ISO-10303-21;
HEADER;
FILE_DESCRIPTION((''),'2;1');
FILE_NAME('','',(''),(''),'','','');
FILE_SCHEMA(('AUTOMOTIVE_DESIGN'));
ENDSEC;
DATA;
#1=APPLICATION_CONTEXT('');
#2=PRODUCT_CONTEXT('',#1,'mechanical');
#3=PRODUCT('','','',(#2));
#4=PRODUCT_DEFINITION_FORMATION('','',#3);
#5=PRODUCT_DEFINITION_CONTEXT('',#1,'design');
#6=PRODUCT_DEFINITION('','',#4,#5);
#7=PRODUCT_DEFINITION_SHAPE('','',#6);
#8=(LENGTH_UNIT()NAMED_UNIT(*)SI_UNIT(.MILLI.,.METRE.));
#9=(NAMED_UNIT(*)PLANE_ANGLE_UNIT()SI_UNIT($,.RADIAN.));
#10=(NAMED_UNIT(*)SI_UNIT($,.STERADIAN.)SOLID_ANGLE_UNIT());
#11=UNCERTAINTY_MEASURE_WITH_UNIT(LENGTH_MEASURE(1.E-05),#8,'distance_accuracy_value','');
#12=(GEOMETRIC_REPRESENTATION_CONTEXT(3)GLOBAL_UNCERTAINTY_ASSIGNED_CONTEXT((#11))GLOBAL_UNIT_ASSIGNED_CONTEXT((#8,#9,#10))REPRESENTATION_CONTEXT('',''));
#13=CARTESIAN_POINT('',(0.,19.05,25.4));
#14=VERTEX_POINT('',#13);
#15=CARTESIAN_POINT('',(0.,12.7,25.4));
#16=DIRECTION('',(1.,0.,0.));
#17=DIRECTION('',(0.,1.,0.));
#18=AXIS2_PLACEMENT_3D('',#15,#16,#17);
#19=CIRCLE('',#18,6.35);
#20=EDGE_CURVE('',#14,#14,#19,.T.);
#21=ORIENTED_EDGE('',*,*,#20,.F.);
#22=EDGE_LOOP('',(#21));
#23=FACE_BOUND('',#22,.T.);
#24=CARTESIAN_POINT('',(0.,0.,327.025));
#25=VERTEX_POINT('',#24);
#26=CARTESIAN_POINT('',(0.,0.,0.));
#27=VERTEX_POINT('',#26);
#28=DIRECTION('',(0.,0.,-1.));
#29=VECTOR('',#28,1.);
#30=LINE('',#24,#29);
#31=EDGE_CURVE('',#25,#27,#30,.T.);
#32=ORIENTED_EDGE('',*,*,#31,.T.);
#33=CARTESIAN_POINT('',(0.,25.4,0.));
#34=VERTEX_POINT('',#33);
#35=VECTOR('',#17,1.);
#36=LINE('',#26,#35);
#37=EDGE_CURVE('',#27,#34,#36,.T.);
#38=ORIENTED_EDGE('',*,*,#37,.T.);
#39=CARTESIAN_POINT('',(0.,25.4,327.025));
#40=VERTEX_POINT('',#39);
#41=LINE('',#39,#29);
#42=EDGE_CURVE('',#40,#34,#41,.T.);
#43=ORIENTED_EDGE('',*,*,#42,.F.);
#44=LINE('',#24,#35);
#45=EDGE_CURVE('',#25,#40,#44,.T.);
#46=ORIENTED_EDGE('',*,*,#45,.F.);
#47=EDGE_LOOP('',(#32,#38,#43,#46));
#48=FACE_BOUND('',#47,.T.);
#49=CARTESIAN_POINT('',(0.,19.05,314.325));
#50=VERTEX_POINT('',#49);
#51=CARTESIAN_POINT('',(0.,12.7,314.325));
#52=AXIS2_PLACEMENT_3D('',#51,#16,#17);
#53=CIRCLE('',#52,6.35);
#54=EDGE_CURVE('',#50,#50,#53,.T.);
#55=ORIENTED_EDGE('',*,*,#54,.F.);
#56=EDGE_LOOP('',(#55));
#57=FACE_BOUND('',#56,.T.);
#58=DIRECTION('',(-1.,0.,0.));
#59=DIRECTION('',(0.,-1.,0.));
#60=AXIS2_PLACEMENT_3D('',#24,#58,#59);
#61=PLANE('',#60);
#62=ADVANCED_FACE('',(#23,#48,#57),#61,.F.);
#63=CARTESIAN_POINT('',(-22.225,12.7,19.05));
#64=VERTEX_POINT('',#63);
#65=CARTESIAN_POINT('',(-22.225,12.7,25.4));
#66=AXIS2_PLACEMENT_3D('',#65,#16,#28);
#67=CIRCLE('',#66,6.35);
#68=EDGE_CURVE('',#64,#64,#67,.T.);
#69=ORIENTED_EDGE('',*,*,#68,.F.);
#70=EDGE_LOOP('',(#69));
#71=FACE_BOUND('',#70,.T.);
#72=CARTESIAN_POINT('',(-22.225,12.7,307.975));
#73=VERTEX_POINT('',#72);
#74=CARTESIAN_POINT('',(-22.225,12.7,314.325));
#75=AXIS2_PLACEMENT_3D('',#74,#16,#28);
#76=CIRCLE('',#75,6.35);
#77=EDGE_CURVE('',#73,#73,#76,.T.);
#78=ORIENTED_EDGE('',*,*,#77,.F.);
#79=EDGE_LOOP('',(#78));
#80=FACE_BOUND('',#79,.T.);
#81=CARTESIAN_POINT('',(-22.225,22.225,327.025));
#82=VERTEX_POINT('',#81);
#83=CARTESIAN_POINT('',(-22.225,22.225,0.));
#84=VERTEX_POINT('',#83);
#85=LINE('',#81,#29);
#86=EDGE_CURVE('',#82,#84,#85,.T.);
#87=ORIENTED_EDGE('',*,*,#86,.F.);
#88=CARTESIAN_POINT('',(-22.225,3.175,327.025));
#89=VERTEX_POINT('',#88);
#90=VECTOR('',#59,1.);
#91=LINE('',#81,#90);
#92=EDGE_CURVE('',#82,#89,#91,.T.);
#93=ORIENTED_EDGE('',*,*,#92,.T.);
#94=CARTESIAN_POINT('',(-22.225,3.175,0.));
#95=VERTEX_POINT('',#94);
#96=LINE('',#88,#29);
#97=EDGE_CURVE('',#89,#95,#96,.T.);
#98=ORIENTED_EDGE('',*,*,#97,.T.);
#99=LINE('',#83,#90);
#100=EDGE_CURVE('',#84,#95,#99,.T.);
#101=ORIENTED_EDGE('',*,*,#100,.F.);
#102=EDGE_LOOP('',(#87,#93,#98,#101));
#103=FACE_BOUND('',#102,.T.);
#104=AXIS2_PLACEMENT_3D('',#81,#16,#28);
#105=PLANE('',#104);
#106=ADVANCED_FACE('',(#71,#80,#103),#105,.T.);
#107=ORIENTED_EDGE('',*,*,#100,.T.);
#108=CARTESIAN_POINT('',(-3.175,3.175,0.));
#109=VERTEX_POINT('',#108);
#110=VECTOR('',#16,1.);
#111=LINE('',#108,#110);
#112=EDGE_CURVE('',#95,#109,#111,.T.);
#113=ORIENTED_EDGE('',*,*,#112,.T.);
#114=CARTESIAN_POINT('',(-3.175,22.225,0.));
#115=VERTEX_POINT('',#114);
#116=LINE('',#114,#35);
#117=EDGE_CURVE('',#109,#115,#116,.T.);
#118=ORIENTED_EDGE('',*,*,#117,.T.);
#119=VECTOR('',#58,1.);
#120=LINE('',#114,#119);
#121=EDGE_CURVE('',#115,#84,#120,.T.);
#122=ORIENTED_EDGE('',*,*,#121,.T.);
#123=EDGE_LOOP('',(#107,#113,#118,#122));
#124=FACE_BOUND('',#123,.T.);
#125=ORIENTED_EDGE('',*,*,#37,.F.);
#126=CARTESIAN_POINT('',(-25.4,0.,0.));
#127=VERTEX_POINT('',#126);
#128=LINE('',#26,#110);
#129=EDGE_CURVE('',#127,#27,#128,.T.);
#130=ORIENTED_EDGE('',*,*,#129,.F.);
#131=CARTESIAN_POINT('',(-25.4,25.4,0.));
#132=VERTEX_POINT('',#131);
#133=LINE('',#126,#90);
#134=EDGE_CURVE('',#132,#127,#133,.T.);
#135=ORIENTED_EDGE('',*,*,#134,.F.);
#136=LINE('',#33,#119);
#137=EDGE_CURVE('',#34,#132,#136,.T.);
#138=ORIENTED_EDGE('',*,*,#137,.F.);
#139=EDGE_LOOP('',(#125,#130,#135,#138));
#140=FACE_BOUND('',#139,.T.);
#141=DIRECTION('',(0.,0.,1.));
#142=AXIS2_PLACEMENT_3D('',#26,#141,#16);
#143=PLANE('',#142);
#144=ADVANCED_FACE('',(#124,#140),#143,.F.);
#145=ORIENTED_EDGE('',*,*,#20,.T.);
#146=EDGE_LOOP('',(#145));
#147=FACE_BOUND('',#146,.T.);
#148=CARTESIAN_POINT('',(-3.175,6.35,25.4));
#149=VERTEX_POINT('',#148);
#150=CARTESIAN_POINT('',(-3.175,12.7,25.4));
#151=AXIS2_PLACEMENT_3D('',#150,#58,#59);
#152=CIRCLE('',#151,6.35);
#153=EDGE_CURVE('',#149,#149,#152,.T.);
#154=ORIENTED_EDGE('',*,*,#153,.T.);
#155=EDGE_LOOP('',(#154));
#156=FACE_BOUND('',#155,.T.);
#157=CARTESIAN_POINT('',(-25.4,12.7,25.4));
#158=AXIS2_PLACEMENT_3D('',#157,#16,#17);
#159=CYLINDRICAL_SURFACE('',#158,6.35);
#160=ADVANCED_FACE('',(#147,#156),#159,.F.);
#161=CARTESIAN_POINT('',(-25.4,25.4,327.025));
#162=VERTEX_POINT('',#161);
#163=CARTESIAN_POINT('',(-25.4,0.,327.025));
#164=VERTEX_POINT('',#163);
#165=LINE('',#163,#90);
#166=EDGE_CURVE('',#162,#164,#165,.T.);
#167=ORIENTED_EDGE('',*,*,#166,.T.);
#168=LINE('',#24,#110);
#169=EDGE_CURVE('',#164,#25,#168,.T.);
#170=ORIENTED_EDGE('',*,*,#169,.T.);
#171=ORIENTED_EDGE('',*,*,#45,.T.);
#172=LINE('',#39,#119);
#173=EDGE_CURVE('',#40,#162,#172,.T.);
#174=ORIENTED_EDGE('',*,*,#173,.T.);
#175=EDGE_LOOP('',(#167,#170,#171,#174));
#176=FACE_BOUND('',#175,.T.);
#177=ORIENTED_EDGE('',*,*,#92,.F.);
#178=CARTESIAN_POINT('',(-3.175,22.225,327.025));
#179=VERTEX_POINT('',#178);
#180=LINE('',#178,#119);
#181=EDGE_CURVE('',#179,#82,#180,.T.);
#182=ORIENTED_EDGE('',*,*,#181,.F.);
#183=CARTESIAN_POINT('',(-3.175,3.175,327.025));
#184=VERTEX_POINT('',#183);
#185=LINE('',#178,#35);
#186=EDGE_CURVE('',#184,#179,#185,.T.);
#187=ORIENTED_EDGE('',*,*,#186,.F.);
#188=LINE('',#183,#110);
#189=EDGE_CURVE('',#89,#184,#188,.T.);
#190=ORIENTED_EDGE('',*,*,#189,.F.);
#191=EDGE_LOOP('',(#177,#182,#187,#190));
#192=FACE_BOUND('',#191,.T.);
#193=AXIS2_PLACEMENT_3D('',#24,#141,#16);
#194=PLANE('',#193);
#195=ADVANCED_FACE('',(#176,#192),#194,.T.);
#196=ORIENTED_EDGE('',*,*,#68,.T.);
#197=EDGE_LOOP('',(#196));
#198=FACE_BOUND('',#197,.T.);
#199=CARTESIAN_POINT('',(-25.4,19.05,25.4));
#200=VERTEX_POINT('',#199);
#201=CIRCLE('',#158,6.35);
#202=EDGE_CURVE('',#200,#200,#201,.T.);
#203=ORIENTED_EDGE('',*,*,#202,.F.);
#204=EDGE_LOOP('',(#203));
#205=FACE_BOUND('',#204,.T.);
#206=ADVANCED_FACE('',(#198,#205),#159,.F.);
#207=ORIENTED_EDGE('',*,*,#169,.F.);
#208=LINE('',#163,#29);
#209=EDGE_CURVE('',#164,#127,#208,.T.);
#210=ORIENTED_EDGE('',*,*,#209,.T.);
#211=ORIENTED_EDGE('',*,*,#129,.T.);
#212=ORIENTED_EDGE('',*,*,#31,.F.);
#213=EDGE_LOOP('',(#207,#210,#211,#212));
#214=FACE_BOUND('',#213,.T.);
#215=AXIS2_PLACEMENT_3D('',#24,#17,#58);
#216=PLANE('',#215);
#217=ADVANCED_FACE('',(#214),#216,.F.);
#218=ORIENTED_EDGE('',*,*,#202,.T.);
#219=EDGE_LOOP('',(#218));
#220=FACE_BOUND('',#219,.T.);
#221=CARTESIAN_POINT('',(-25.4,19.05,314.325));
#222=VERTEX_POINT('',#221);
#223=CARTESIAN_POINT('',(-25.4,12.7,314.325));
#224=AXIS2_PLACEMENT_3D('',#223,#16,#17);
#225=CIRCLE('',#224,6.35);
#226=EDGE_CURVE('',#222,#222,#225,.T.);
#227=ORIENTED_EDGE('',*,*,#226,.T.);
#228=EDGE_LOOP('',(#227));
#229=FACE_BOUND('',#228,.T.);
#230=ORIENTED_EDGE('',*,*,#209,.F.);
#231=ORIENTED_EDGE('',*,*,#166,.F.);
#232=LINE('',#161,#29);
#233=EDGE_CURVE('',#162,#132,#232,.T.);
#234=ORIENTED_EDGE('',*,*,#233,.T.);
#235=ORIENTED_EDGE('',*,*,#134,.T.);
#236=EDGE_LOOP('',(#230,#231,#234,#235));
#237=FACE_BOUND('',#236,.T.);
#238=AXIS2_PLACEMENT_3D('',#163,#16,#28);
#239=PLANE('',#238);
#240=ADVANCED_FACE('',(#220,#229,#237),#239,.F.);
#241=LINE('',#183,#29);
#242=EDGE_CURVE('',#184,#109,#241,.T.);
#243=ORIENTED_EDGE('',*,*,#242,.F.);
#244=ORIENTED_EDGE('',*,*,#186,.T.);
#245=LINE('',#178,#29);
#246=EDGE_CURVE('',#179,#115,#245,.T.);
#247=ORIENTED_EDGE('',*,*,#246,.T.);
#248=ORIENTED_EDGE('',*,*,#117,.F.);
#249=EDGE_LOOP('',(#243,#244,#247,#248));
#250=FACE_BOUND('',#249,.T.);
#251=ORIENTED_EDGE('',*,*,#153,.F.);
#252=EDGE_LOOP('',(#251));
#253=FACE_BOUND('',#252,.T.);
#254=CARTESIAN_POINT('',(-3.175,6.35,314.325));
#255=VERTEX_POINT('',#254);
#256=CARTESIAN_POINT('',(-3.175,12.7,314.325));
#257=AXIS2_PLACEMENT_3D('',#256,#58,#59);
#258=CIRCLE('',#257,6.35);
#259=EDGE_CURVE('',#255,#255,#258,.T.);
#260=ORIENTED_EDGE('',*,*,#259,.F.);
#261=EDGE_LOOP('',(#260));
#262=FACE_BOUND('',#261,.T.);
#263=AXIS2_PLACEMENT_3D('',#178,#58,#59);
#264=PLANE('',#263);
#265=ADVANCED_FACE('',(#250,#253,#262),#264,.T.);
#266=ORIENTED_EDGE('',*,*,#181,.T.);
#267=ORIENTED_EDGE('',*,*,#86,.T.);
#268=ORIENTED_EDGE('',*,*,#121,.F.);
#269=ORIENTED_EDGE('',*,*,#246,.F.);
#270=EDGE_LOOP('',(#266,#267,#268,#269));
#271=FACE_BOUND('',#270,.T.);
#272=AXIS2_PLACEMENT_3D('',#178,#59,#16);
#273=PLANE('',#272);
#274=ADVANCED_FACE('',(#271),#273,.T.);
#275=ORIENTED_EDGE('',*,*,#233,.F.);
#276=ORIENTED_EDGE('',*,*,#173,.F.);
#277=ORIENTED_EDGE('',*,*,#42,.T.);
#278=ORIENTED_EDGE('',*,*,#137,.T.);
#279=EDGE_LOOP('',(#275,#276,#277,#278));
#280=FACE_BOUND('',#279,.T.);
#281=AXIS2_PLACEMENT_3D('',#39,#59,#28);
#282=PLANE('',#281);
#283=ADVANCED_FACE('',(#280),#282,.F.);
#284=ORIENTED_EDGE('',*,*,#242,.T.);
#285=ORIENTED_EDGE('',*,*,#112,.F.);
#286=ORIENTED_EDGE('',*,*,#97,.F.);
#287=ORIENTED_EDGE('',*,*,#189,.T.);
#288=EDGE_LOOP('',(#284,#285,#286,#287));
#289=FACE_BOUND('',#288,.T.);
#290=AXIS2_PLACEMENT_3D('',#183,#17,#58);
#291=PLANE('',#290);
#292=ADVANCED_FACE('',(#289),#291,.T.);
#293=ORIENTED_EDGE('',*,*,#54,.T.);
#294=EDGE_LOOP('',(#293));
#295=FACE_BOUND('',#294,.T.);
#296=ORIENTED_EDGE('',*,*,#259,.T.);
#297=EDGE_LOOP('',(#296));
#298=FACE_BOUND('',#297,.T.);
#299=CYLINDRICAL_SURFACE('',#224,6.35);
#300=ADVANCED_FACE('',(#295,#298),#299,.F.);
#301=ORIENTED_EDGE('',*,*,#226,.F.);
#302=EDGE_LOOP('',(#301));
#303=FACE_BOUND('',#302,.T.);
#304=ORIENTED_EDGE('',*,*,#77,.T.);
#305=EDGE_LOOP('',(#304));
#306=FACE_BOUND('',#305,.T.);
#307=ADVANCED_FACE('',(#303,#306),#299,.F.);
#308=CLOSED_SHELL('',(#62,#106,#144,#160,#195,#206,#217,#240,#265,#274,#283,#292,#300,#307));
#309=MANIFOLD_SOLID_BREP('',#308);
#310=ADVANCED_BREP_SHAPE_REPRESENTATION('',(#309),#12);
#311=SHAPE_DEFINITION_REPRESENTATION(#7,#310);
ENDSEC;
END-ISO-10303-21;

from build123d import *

# Parameters (mm, degrees)
SKETCH1_W           = 25.4
SKETCH1_H           = 25.4
SKETCH1_W_2         = 19.05
SKETCH1_H_2         = 19.05
BOSS_EXTRUDE1_DEPTH = 327.025
SKETCH5_R           = 6.35
CUT_EXTRUDE4_DEPTH  = 329.991900546


with BuildPart() as part:
    # Sketch1 → Boss-Extrude1 (new body)
    with BuildSketch(Plane.XY):
        with Locations((-12.7, 12.7)):
            Rectangle(SKETCH1_W, SKETCH1_H)
        with Locations((-12.7, 12.7)):
            Rectangle(SKETCH1_W_2, SKETCH1_H_2, mode=Mode.SUBTRACT)
    extrude(amount=BOSS_EXTRUDE1_DEPTH)

    # Sketch5 → Cut-Extrude4 (cut, through all)
    with BuildSketch(Plane(origin=(0, 0, 0), x_dir=(0, 0, -1), z_dir=(1, 0, 0))):
        with Locations(Location((-25.4, 12.7, 0), (0, 0, 90))):
            Circle(SKETCH5_R)
        with Locations(Location((-314.325, 12.7, 0), (0, 0, 90))):
            Circle(SKETCH5_R)
    extrude(amount=-CUT_EXTRUDE4_DEPTH, mode=Mode.SUBTRACT)


solid = part.part
